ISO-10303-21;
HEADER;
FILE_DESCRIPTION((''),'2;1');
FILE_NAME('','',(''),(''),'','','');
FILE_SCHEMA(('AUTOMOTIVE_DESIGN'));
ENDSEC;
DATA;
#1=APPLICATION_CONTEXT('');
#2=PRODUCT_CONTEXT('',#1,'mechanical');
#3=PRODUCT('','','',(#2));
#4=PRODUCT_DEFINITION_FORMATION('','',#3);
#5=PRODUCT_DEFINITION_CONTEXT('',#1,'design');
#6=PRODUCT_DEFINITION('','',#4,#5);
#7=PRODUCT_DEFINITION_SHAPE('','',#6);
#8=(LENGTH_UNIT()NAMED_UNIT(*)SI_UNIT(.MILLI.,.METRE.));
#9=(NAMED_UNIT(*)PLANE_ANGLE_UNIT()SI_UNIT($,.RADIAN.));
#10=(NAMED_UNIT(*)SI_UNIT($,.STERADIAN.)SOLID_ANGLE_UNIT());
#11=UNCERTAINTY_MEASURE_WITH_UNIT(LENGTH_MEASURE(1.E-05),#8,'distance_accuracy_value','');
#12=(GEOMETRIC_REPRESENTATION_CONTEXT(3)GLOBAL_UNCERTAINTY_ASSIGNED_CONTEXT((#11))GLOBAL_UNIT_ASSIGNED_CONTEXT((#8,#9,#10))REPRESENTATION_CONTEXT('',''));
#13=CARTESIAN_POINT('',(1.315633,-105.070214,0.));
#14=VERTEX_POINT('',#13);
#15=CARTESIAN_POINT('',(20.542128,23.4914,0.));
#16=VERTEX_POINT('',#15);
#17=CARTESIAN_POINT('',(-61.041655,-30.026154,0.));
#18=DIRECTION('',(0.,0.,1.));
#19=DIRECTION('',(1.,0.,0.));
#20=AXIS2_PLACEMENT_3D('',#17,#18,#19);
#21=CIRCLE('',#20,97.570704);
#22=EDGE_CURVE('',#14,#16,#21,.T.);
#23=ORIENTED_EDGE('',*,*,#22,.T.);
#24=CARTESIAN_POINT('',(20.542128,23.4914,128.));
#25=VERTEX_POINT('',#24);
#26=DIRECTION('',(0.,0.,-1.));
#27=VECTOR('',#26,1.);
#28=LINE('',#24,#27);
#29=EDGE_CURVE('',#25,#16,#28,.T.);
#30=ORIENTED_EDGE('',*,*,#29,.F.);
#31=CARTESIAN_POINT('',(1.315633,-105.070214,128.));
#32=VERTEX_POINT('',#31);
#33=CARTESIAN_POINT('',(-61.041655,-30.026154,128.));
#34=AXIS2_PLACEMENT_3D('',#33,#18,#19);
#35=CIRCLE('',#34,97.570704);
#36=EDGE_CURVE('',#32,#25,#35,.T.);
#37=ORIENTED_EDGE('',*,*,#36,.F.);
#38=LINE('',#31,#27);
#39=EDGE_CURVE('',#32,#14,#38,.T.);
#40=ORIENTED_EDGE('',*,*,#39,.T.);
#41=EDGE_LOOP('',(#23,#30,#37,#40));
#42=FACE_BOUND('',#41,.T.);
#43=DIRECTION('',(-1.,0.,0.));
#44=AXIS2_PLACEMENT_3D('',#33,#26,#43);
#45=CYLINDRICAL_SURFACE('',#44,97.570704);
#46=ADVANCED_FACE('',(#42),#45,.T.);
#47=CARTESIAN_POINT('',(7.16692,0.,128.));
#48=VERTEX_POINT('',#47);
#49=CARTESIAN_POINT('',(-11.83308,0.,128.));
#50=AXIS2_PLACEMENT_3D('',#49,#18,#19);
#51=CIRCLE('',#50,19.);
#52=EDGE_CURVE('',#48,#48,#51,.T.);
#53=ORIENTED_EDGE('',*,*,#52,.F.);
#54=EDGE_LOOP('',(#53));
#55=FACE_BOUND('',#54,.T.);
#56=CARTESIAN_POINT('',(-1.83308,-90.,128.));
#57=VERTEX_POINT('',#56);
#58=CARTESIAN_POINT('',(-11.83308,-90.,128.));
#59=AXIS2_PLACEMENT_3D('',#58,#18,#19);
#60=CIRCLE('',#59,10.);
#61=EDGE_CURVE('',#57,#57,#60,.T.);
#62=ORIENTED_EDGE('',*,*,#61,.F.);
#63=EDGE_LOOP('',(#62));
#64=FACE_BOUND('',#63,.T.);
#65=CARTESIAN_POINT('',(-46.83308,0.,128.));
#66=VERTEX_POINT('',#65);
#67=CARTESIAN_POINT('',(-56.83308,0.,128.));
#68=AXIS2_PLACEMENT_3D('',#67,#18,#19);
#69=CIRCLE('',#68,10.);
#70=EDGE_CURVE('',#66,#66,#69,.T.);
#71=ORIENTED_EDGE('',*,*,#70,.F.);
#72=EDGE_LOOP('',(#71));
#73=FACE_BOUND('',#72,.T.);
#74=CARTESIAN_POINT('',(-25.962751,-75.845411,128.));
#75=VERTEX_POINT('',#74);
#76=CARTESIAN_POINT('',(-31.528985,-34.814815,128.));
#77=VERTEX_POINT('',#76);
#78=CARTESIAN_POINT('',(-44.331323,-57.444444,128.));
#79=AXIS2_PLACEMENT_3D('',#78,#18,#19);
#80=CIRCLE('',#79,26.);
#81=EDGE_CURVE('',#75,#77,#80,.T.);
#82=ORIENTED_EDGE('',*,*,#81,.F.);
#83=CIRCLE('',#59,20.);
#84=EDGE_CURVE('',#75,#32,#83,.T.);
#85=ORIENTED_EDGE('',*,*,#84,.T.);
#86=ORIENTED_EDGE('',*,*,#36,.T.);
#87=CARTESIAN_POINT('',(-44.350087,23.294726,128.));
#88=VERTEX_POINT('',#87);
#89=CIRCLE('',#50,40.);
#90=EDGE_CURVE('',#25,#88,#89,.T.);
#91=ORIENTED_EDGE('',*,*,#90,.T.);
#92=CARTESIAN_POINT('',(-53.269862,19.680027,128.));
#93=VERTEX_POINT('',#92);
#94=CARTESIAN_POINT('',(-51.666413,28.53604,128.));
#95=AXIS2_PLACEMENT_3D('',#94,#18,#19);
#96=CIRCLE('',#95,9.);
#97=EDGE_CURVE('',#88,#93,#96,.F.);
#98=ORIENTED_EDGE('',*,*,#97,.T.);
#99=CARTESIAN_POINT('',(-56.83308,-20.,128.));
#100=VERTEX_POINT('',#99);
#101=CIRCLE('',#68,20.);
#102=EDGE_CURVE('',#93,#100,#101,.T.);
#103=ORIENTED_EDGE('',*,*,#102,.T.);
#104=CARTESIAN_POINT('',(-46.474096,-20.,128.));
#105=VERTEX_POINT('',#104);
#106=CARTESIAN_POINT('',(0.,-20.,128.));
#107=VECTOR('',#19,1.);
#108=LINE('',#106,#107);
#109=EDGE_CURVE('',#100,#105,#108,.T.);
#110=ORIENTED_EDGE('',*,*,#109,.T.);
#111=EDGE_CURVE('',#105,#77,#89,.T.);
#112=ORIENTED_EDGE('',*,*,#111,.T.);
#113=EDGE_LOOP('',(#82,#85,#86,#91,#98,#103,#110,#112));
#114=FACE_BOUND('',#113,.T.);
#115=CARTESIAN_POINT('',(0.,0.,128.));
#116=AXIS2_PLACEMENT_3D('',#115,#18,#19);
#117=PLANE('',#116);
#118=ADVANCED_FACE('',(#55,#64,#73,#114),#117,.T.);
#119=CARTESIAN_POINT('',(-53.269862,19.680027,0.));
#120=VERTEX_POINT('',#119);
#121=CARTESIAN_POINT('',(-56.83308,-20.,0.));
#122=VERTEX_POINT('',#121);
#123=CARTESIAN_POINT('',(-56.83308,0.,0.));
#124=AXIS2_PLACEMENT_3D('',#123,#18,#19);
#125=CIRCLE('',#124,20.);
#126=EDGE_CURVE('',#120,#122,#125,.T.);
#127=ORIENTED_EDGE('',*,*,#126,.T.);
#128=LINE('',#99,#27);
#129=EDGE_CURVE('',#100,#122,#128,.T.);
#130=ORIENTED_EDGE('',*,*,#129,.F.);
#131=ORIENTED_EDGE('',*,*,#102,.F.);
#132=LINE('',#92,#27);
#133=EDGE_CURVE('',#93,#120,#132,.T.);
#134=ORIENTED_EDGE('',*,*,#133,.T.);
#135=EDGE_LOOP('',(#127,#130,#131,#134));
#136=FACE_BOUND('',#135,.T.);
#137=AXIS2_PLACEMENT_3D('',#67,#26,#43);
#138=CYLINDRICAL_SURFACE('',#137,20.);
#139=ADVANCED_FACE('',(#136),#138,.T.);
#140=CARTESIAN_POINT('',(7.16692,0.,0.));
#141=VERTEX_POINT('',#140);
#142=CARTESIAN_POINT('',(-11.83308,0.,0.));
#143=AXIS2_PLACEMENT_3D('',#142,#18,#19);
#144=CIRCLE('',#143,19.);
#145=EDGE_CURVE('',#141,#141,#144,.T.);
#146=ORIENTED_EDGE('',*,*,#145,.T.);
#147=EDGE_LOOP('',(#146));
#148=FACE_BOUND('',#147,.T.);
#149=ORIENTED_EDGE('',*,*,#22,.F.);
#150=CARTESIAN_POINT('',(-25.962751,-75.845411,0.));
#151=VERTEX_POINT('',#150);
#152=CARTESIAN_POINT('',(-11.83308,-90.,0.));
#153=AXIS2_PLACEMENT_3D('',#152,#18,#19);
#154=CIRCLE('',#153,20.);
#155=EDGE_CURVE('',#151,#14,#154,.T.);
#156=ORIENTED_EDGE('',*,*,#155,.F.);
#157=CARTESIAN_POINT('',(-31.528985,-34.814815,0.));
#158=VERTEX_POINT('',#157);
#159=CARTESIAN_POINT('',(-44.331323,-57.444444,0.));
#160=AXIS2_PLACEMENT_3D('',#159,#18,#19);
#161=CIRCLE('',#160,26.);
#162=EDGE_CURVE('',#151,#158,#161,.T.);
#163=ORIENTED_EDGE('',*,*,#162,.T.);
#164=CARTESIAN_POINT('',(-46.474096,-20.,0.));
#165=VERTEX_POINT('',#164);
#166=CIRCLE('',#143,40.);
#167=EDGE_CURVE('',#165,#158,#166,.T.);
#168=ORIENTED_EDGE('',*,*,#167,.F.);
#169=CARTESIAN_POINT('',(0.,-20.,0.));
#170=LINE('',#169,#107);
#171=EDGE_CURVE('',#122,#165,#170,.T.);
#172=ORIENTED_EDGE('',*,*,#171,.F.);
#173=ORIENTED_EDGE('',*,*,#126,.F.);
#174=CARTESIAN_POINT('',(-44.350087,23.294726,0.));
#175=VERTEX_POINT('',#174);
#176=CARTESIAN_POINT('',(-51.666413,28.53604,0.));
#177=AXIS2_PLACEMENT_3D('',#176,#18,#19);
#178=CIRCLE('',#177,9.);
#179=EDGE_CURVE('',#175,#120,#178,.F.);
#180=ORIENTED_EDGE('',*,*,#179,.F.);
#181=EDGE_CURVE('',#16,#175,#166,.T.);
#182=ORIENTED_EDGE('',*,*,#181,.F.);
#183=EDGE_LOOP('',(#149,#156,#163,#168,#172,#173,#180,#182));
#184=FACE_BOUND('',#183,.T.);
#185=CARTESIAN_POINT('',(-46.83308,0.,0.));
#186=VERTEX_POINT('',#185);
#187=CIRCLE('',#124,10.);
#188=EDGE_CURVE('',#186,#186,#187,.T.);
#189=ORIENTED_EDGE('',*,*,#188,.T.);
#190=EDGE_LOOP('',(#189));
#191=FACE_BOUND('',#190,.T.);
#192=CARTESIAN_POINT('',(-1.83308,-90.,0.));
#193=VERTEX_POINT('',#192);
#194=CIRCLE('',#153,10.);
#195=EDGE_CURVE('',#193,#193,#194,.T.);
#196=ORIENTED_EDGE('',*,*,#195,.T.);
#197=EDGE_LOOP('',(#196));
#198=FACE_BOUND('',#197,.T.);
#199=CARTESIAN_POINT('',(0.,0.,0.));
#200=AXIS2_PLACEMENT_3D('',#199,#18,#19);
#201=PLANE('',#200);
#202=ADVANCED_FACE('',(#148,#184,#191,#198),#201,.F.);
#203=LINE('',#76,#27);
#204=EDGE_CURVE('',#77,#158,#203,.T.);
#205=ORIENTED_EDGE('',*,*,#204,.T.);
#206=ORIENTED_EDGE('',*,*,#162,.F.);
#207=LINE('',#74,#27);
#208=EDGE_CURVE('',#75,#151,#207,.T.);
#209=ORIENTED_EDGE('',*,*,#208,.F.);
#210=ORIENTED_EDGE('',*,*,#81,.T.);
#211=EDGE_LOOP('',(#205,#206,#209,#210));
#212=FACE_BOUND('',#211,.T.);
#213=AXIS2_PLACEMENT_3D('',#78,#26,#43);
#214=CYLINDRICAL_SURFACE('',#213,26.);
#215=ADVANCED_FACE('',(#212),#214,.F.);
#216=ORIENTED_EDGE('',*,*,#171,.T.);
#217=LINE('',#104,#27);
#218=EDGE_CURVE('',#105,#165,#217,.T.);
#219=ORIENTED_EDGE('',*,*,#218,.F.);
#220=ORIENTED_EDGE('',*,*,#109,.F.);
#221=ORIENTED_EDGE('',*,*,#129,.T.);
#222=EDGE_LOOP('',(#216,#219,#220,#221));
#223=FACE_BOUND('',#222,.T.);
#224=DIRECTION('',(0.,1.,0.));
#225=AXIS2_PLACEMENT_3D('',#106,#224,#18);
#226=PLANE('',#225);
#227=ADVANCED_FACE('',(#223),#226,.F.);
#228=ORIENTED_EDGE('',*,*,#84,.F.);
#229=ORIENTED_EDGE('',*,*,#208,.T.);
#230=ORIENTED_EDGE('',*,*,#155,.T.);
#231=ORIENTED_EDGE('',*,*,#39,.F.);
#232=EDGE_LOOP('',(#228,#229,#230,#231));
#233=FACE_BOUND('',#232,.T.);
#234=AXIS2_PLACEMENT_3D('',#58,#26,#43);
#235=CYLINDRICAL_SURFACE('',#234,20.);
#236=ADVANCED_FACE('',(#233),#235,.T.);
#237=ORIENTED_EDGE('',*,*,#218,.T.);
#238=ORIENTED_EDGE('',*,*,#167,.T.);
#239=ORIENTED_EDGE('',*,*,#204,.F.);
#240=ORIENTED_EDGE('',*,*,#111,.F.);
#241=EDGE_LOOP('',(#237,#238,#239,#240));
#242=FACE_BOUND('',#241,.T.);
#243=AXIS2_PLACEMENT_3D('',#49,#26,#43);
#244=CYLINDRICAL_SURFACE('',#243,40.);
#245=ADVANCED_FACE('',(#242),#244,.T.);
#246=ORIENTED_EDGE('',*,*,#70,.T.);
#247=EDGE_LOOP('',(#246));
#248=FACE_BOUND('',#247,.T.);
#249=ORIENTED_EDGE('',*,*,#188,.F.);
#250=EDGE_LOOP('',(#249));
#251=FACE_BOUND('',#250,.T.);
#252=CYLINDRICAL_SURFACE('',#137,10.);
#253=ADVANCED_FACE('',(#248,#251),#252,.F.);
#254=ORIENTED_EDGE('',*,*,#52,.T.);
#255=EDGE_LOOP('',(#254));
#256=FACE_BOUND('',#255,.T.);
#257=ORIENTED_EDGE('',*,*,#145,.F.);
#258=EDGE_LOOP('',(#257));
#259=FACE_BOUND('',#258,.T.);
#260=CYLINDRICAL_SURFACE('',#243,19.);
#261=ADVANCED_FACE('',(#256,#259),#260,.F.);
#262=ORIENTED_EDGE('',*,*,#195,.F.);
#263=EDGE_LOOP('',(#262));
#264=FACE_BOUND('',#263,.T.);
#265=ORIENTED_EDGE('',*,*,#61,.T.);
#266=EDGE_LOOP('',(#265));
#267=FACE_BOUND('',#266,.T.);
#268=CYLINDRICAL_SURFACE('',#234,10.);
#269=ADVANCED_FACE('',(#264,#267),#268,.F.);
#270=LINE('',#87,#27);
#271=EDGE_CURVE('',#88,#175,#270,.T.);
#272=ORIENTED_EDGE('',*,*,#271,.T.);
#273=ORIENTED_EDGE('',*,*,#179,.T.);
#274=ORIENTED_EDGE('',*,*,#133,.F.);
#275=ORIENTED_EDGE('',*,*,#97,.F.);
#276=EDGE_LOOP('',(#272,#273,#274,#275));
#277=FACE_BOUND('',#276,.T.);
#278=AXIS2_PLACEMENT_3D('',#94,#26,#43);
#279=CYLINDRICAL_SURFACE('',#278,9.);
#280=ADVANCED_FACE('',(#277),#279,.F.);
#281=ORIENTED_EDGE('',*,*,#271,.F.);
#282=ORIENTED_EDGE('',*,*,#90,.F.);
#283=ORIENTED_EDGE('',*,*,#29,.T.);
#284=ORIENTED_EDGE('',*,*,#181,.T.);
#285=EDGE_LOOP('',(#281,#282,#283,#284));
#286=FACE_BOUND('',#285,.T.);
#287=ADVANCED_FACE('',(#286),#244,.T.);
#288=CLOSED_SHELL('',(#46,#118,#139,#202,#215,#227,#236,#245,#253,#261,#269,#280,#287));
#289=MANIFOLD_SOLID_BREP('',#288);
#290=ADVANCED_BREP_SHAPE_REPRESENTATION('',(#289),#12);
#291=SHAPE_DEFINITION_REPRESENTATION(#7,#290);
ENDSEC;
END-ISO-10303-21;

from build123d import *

# Parameters (mm, degrees)
SKETCH1_R           = 10
SKETCH1_R_2         = 19
BOSS_EXTRUDE1_DEPTH = 128


with BuildPart() as part:
    # Sketch1 → Boss-Extrude1 (new body)
    with BuildSketch(Plane.XY):
        with BuildLine():
            ThreePointArc((20.542128414, 23.491399981), (-11.954310602, 39.999816289), (-44.350086912, 23.294726197))
            ThreePointArc((-44.350086912, 23.294726197), (-48.286212782, 20.194921951), (-53.269861719, 19.680027304))
            ThreePointArc((-53.269861719, 19.680027304), (-76.75292632, 1.788778062), (-56.833080109, -20))
            Line((-56.833080109, -20), (-46.474096261, -20))
            ThreePointArc((-46.474096261, -20), (-39.993245797, -28.407834632), (-31.528984999, -34.814814815))
            ThreePointArc((-31.528984999, -34.814814815), (-18.567319972, -53.9492851), (-25.962751008, -75.845410628))
            ThreePointArc((-25.962751008, -75.845410628), (-26.45371097, -103.646873387), (1.315633204, -105.070213608))
            ThreePointArc((1.315633204, -105.070213608), (35.455910615, -44.457444325), (20.542128414, 23.491399981))
        make_face()
        with Locations((-56.833080109, 0)):
            Circle(SKETCH1_R, mode=Mode.SUBTRACT)
        with Locations((-11.833080109, -90)):
            Circle(SKETCH1_R, mode=Mode.SUBTRACT)
        with Locations((-11.833080109, 0)):
            Circle(SKETCH1_R_2, mode=Mode.SUBTRACT)
    extrude(amount=BOSS_EXTRUDE1_DEPTH)


solid = part.part
